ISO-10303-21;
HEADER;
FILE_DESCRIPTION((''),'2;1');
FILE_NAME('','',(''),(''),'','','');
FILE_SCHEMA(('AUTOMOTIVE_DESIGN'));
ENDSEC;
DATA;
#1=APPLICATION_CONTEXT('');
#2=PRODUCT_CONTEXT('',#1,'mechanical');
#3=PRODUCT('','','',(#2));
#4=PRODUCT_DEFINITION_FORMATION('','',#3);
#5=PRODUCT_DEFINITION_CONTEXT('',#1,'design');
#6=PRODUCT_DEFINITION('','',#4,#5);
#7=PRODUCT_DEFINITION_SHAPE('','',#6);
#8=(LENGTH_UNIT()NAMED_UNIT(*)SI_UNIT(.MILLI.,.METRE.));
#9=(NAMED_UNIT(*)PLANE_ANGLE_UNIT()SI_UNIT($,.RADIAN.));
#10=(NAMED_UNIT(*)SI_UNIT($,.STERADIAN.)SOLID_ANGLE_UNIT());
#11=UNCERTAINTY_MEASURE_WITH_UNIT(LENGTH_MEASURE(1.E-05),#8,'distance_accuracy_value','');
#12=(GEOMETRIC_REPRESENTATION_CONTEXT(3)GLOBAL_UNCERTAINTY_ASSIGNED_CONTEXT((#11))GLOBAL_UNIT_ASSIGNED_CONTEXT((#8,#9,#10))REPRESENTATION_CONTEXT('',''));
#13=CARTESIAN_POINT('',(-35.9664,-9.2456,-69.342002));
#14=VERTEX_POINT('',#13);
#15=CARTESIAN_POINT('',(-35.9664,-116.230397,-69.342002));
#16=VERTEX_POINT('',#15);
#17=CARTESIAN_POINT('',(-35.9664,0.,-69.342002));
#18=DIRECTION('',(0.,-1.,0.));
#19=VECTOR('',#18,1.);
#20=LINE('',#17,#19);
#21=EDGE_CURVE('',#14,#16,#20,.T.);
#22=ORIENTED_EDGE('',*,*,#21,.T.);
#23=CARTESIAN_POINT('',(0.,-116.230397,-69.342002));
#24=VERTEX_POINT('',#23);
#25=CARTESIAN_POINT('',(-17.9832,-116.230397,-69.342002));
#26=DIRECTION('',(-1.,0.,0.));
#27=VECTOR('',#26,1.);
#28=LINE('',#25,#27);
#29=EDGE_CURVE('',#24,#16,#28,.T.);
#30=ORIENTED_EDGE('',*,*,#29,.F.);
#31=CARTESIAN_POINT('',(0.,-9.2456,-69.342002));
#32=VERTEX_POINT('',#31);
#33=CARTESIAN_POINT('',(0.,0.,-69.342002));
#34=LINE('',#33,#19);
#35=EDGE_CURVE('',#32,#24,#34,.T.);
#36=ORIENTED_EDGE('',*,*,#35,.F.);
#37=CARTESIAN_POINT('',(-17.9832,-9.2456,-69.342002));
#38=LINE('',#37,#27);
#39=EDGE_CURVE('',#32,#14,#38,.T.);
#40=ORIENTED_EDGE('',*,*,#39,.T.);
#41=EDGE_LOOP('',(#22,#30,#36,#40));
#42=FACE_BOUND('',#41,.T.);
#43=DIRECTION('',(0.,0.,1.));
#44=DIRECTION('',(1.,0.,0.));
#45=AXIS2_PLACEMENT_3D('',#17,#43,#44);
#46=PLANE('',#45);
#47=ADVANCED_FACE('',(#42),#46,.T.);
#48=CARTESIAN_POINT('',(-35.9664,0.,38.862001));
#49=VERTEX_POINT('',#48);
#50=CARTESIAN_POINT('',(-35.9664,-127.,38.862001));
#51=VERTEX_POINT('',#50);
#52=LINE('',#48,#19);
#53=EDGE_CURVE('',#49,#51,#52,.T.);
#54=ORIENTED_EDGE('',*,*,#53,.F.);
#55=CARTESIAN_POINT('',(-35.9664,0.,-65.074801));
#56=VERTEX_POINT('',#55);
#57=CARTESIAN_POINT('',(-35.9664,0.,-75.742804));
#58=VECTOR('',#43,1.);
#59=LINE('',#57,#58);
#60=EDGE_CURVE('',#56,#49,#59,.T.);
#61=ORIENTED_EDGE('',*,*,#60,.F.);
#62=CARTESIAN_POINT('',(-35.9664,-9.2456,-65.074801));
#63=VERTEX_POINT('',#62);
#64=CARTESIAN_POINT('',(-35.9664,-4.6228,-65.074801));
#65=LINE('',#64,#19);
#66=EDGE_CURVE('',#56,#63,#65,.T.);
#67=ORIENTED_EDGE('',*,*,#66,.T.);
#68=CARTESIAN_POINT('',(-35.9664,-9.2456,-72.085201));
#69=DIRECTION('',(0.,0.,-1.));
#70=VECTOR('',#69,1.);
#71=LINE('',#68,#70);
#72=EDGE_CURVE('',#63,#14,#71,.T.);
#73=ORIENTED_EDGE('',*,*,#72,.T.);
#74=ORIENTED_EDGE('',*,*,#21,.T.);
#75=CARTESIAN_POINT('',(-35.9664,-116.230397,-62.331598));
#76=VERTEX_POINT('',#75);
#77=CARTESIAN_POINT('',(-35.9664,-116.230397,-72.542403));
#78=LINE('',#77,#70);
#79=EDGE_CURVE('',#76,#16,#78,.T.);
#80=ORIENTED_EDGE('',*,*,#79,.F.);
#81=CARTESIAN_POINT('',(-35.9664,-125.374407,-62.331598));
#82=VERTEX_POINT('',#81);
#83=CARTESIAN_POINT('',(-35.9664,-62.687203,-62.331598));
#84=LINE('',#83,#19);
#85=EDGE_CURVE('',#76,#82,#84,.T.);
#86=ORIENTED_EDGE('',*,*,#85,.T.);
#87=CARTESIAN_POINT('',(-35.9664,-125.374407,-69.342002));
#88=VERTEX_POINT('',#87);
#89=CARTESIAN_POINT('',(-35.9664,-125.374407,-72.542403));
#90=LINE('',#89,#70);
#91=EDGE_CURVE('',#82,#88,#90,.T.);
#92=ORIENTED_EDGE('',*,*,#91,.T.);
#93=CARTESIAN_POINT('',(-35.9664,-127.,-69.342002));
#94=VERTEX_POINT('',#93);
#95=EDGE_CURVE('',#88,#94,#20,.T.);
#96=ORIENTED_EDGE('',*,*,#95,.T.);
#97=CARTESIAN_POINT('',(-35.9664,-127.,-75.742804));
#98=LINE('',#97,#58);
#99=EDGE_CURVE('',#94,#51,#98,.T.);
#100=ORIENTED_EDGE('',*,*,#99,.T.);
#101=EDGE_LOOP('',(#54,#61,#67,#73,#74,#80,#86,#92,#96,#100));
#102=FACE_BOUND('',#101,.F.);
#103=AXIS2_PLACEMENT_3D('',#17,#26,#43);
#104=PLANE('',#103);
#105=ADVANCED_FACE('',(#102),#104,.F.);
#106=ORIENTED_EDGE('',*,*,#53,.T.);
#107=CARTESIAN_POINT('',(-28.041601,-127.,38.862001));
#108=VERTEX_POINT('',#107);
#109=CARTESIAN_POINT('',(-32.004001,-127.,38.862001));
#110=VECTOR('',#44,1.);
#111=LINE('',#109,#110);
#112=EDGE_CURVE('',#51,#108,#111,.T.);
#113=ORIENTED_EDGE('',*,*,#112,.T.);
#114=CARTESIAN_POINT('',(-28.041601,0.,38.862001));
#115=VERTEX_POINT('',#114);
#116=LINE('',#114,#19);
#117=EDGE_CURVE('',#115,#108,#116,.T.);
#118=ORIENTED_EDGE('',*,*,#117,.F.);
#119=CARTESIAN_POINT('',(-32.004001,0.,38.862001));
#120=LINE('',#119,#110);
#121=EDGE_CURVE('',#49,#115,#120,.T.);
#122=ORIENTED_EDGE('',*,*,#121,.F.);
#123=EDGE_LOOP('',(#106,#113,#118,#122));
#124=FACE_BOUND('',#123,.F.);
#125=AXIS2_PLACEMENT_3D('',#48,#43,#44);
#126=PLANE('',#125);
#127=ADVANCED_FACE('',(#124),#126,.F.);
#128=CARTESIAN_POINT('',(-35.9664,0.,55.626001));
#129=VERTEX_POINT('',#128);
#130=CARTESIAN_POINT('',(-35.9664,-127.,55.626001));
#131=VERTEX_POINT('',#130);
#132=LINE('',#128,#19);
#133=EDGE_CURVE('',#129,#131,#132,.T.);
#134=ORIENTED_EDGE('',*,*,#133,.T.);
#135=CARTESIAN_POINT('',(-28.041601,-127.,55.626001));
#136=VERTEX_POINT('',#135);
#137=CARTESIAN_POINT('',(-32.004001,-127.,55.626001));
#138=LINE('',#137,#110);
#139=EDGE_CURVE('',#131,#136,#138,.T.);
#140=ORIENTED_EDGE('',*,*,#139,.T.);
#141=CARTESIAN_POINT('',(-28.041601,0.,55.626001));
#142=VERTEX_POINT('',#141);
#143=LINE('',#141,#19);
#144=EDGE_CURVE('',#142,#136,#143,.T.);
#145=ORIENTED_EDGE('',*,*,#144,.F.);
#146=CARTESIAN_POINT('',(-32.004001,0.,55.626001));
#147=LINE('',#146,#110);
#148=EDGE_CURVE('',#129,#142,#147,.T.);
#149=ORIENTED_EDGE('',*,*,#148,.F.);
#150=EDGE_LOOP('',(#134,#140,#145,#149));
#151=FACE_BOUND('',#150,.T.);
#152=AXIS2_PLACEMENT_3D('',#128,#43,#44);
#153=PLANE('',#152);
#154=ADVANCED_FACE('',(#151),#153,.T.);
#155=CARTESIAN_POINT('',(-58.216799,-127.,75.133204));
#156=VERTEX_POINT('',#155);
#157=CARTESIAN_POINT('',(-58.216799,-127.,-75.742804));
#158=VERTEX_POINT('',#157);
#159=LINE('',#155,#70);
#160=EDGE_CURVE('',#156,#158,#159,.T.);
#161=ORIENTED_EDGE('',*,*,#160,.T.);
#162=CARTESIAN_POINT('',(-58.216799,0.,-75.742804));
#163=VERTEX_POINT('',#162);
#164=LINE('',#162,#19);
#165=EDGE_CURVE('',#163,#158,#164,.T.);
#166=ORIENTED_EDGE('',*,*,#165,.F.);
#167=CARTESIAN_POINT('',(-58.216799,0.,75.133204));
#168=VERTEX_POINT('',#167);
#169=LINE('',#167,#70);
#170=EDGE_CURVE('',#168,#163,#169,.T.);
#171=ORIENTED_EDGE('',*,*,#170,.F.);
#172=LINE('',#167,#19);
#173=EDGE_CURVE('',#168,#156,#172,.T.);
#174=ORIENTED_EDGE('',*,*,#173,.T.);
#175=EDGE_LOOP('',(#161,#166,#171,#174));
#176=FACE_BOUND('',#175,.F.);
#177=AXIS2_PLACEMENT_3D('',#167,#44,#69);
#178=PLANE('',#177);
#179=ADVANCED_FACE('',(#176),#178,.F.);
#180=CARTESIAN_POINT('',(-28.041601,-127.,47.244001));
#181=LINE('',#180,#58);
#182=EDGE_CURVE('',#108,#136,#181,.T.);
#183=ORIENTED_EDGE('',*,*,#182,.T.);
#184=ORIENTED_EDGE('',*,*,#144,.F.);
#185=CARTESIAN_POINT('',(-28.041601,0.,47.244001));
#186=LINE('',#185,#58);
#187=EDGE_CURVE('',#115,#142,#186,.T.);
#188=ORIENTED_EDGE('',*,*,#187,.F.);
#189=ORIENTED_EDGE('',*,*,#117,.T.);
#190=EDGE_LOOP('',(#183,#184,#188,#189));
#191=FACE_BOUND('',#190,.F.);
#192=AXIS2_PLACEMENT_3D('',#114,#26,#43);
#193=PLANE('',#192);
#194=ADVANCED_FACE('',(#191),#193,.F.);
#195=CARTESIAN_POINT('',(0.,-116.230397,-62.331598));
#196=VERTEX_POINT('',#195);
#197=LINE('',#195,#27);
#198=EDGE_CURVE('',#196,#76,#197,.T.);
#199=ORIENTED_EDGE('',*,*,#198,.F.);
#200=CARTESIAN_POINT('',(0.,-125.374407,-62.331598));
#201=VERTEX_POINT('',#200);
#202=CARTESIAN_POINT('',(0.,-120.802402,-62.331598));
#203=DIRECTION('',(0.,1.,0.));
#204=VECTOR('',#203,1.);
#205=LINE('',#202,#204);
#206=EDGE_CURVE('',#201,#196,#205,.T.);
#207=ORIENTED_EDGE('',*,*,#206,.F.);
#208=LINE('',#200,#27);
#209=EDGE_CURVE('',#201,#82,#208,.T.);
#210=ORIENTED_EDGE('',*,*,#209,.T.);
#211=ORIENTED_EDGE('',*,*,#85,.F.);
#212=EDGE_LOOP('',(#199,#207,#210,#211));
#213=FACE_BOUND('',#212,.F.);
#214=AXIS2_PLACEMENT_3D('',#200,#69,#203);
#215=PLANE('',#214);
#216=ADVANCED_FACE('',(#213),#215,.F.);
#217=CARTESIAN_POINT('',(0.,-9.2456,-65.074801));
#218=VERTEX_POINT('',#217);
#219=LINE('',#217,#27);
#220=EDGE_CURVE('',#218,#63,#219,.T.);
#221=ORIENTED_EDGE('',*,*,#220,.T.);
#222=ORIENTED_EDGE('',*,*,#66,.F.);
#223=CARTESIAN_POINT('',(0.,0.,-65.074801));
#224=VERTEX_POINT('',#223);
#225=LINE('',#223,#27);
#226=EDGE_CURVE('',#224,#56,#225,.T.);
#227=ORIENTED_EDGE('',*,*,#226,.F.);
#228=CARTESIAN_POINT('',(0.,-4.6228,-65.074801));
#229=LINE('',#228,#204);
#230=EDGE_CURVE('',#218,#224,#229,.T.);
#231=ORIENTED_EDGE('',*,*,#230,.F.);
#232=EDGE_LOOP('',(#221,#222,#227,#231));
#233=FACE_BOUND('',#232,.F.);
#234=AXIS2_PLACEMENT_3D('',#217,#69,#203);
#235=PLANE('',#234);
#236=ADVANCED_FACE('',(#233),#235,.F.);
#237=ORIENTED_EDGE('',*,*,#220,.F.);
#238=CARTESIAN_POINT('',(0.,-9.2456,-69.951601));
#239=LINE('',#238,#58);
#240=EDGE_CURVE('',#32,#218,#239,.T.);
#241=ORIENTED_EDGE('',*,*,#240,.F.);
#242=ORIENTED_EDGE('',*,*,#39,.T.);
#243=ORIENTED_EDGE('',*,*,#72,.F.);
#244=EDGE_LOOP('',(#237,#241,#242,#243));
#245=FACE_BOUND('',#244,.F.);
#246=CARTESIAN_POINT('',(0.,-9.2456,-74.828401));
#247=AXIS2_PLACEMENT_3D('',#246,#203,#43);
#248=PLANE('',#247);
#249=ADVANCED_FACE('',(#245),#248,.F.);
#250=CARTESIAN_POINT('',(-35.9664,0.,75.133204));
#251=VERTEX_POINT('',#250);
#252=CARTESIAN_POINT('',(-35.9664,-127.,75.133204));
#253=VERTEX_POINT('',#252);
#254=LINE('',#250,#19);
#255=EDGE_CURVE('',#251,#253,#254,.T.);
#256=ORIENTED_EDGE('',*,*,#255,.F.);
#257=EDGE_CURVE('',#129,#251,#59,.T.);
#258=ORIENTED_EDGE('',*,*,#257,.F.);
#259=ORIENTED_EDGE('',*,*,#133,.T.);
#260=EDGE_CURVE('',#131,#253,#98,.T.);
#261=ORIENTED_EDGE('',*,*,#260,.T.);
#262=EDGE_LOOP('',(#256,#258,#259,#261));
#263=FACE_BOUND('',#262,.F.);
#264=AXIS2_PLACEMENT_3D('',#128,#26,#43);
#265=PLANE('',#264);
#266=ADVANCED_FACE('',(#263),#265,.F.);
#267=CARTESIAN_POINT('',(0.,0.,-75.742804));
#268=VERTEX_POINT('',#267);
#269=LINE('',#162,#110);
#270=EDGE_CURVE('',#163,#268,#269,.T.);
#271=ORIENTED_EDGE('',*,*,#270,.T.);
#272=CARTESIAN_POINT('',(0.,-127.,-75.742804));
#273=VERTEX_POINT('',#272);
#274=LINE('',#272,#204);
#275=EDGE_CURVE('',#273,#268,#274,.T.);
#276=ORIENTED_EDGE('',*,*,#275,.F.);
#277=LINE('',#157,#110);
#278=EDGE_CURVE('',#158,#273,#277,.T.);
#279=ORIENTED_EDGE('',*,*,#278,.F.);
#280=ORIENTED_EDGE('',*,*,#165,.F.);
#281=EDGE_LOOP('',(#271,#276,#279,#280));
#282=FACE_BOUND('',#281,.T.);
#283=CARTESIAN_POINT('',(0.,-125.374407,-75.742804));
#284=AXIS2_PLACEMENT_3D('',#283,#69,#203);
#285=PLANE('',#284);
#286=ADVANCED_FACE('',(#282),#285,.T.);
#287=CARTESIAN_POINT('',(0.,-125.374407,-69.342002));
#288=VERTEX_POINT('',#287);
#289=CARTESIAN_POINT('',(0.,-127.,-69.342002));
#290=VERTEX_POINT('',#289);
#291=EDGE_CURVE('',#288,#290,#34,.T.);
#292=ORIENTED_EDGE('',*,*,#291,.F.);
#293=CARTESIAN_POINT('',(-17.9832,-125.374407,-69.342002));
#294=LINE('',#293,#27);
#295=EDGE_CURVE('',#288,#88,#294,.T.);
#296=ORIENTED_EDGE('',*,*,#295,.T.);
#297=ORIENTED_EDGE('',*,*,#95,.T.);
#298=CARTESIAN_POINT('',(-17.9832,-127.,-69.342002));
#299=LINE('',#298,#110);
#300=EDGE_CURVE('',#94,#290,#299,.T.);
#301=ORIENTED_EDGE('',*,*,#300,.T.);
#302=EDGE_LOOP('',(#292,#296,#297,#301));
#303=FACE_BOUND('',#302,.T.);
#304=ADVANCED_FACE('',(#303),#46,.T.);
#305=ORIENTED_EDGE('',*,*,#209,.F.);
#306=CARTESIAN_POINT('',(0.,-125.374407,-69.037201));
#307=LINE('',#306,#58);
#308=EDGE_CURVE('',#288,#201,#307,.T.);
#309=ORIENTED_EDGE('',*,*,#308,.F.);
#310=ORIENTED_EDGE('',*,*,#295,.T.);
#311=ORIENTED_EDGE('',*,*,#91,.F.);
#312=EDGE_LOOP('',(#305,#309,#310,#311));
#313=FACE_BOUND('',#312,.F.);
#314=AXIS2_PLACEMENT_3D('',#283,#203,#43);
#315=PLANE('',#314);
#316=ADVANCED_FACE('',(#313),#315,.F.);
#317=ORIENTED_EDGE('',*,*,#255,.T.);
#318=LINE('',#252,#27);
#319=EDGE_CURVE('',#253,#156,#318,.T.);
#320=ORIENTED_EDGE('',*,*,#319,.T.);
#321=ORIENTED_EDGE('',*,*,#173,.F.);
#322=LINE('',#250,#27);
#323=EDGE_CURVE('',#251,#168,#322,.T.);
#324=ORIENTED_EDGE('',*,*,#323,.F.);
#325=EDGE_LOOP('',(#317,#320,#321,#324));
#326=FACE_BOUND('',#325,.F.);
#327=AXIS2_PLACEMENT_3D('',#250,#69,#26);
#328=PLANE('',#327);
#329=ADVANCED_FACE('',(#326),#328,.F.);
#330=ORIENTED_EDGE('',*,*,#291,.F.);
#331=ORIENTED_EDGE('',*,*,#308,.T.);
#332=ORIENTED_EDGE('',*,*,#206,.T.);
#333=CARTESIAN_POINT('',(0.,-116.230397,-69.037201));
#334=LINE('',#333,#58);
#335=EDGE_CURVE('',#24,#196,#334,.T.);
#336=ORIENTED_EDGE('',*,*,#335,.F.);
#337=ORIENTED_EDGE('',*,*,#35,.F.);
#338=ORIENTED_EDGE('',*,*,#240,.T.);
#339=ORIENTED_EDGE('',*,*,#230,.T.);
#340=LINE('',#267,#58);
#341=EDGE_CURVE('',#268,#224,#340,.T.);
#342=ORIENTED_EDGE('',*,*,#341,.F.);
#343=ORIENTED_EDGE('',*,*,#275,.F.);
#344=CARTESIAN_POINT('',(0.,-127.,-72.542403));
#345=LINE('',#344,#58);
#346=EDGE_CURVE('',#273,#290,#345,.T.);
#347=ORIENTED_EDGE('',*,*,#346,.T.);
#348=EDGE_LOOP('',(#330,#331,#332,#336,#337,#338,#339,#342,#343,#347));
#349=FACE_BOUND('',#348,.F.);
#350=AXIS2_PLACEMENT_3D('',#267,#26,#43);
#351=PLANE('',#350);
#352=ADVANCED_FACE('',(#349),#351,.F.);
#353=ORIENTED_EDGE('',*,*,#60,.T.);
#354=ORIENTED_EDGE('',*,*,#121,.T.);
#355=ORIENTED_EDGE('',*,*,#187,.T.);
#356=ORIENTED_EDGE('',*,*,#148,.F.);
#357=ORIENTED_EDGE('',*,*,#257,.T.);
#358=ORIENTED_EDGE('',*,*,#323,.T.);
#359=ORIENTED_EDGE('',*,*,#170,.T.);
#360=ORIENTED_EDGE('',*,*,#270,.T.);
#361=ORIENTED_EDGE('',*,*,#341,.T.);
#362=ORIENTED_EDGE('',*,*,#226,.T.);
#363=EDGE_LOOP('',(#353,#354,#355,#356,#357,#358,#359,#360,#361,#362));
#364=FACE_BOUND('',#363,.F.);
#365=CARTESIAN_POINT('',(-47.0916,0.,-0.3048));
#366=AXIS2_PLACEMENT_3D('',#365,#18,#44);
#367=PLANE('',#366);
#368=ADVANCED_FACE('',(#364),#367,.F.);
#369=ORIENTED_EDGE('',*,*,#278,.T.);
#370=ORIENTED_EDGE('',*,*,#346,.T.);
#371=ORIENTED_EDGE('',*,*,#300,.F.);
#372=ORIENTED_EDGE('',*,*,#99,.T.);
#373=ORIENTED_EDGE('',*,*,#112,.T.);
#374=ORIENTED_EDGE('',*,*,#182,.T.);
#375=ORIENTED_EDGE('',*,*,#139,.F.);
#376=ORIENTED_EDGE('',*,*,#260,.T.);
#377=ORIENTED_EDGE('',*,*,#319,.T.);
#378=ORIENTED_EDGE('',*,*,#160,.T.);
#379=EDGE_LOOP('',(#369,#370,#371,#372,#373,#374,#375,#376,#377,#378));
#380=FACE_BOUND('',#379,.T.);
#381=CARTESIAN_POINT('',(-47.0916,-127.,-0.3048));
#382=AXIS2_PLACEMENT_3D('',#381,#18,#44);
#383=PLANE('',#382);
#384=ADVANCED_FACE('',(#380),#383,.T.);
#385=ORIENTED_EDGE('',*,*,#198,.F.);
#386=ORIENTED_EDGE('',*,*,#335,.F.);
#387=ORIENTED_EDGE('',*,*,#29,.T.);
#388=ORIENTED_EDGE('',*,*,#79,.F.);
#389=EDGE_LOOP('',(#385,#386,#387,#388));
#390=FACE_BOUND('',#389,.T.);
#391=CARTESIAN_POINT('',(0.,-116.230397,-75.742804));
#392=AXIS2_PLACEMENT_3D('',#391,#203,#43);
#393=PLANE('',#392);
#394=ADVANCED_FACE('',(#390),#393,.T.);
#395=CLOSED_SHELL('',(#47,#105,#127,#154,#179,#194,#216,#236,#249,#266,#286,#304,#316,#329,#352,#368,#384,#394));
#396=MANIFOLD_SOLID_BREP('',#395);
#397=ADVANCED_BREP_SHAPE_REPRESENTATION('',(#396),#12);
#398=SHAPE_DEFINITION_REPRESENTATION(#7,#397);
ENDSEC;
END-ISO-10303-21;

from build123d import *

# Parameters (mm, degrees)
F0_W     = 7.924799
F0_H     = 16.764
F0_W_2   = 35.9664
F0_H_2   = 6.400802
F1_DEPTH = 127
F2_W     = 9.144009
F2_H     = 13.411206
F2_W_2   = 9.2456
F2_H_2   = 9.7536
F3_DEPTH = 51.562


with BuildPart() as f1:
    # F0 (on Front) → F1 (new body)
    with BuildSketch(Plane.XZ):
        Polygon((-35.9664, 75.133204), (-58.216799, 75.133204), (-58.216799, -75.742804), (-35.9664, -75.742804), (-35.9664, -69.342002), (-35.9664, 38.862001), (-35.9664, 55.626001), align=None)
        with Locations((-32.004001, 47.244001)):
            Rectangle(F0_W, F0_H)
        with Locations((-17.9832, -72.542403)):
            Rectangle(F0_W_2, F0_H_2)
    extrude(amount=F1_DEPTH)

    # F2 (on Right) → F3 (join)
    with BuildSketch(Plane.YZ):
        with Locations((-120.802402, -69.037201)):
            Rectangle(F2_W, F2_H)
        with Locations((-4.6228, -69.951601)):
            Rectangle(F2_W_2, F2_H_2)
    extrude(amount=-F3_DEPTH)


solid = f1.part
